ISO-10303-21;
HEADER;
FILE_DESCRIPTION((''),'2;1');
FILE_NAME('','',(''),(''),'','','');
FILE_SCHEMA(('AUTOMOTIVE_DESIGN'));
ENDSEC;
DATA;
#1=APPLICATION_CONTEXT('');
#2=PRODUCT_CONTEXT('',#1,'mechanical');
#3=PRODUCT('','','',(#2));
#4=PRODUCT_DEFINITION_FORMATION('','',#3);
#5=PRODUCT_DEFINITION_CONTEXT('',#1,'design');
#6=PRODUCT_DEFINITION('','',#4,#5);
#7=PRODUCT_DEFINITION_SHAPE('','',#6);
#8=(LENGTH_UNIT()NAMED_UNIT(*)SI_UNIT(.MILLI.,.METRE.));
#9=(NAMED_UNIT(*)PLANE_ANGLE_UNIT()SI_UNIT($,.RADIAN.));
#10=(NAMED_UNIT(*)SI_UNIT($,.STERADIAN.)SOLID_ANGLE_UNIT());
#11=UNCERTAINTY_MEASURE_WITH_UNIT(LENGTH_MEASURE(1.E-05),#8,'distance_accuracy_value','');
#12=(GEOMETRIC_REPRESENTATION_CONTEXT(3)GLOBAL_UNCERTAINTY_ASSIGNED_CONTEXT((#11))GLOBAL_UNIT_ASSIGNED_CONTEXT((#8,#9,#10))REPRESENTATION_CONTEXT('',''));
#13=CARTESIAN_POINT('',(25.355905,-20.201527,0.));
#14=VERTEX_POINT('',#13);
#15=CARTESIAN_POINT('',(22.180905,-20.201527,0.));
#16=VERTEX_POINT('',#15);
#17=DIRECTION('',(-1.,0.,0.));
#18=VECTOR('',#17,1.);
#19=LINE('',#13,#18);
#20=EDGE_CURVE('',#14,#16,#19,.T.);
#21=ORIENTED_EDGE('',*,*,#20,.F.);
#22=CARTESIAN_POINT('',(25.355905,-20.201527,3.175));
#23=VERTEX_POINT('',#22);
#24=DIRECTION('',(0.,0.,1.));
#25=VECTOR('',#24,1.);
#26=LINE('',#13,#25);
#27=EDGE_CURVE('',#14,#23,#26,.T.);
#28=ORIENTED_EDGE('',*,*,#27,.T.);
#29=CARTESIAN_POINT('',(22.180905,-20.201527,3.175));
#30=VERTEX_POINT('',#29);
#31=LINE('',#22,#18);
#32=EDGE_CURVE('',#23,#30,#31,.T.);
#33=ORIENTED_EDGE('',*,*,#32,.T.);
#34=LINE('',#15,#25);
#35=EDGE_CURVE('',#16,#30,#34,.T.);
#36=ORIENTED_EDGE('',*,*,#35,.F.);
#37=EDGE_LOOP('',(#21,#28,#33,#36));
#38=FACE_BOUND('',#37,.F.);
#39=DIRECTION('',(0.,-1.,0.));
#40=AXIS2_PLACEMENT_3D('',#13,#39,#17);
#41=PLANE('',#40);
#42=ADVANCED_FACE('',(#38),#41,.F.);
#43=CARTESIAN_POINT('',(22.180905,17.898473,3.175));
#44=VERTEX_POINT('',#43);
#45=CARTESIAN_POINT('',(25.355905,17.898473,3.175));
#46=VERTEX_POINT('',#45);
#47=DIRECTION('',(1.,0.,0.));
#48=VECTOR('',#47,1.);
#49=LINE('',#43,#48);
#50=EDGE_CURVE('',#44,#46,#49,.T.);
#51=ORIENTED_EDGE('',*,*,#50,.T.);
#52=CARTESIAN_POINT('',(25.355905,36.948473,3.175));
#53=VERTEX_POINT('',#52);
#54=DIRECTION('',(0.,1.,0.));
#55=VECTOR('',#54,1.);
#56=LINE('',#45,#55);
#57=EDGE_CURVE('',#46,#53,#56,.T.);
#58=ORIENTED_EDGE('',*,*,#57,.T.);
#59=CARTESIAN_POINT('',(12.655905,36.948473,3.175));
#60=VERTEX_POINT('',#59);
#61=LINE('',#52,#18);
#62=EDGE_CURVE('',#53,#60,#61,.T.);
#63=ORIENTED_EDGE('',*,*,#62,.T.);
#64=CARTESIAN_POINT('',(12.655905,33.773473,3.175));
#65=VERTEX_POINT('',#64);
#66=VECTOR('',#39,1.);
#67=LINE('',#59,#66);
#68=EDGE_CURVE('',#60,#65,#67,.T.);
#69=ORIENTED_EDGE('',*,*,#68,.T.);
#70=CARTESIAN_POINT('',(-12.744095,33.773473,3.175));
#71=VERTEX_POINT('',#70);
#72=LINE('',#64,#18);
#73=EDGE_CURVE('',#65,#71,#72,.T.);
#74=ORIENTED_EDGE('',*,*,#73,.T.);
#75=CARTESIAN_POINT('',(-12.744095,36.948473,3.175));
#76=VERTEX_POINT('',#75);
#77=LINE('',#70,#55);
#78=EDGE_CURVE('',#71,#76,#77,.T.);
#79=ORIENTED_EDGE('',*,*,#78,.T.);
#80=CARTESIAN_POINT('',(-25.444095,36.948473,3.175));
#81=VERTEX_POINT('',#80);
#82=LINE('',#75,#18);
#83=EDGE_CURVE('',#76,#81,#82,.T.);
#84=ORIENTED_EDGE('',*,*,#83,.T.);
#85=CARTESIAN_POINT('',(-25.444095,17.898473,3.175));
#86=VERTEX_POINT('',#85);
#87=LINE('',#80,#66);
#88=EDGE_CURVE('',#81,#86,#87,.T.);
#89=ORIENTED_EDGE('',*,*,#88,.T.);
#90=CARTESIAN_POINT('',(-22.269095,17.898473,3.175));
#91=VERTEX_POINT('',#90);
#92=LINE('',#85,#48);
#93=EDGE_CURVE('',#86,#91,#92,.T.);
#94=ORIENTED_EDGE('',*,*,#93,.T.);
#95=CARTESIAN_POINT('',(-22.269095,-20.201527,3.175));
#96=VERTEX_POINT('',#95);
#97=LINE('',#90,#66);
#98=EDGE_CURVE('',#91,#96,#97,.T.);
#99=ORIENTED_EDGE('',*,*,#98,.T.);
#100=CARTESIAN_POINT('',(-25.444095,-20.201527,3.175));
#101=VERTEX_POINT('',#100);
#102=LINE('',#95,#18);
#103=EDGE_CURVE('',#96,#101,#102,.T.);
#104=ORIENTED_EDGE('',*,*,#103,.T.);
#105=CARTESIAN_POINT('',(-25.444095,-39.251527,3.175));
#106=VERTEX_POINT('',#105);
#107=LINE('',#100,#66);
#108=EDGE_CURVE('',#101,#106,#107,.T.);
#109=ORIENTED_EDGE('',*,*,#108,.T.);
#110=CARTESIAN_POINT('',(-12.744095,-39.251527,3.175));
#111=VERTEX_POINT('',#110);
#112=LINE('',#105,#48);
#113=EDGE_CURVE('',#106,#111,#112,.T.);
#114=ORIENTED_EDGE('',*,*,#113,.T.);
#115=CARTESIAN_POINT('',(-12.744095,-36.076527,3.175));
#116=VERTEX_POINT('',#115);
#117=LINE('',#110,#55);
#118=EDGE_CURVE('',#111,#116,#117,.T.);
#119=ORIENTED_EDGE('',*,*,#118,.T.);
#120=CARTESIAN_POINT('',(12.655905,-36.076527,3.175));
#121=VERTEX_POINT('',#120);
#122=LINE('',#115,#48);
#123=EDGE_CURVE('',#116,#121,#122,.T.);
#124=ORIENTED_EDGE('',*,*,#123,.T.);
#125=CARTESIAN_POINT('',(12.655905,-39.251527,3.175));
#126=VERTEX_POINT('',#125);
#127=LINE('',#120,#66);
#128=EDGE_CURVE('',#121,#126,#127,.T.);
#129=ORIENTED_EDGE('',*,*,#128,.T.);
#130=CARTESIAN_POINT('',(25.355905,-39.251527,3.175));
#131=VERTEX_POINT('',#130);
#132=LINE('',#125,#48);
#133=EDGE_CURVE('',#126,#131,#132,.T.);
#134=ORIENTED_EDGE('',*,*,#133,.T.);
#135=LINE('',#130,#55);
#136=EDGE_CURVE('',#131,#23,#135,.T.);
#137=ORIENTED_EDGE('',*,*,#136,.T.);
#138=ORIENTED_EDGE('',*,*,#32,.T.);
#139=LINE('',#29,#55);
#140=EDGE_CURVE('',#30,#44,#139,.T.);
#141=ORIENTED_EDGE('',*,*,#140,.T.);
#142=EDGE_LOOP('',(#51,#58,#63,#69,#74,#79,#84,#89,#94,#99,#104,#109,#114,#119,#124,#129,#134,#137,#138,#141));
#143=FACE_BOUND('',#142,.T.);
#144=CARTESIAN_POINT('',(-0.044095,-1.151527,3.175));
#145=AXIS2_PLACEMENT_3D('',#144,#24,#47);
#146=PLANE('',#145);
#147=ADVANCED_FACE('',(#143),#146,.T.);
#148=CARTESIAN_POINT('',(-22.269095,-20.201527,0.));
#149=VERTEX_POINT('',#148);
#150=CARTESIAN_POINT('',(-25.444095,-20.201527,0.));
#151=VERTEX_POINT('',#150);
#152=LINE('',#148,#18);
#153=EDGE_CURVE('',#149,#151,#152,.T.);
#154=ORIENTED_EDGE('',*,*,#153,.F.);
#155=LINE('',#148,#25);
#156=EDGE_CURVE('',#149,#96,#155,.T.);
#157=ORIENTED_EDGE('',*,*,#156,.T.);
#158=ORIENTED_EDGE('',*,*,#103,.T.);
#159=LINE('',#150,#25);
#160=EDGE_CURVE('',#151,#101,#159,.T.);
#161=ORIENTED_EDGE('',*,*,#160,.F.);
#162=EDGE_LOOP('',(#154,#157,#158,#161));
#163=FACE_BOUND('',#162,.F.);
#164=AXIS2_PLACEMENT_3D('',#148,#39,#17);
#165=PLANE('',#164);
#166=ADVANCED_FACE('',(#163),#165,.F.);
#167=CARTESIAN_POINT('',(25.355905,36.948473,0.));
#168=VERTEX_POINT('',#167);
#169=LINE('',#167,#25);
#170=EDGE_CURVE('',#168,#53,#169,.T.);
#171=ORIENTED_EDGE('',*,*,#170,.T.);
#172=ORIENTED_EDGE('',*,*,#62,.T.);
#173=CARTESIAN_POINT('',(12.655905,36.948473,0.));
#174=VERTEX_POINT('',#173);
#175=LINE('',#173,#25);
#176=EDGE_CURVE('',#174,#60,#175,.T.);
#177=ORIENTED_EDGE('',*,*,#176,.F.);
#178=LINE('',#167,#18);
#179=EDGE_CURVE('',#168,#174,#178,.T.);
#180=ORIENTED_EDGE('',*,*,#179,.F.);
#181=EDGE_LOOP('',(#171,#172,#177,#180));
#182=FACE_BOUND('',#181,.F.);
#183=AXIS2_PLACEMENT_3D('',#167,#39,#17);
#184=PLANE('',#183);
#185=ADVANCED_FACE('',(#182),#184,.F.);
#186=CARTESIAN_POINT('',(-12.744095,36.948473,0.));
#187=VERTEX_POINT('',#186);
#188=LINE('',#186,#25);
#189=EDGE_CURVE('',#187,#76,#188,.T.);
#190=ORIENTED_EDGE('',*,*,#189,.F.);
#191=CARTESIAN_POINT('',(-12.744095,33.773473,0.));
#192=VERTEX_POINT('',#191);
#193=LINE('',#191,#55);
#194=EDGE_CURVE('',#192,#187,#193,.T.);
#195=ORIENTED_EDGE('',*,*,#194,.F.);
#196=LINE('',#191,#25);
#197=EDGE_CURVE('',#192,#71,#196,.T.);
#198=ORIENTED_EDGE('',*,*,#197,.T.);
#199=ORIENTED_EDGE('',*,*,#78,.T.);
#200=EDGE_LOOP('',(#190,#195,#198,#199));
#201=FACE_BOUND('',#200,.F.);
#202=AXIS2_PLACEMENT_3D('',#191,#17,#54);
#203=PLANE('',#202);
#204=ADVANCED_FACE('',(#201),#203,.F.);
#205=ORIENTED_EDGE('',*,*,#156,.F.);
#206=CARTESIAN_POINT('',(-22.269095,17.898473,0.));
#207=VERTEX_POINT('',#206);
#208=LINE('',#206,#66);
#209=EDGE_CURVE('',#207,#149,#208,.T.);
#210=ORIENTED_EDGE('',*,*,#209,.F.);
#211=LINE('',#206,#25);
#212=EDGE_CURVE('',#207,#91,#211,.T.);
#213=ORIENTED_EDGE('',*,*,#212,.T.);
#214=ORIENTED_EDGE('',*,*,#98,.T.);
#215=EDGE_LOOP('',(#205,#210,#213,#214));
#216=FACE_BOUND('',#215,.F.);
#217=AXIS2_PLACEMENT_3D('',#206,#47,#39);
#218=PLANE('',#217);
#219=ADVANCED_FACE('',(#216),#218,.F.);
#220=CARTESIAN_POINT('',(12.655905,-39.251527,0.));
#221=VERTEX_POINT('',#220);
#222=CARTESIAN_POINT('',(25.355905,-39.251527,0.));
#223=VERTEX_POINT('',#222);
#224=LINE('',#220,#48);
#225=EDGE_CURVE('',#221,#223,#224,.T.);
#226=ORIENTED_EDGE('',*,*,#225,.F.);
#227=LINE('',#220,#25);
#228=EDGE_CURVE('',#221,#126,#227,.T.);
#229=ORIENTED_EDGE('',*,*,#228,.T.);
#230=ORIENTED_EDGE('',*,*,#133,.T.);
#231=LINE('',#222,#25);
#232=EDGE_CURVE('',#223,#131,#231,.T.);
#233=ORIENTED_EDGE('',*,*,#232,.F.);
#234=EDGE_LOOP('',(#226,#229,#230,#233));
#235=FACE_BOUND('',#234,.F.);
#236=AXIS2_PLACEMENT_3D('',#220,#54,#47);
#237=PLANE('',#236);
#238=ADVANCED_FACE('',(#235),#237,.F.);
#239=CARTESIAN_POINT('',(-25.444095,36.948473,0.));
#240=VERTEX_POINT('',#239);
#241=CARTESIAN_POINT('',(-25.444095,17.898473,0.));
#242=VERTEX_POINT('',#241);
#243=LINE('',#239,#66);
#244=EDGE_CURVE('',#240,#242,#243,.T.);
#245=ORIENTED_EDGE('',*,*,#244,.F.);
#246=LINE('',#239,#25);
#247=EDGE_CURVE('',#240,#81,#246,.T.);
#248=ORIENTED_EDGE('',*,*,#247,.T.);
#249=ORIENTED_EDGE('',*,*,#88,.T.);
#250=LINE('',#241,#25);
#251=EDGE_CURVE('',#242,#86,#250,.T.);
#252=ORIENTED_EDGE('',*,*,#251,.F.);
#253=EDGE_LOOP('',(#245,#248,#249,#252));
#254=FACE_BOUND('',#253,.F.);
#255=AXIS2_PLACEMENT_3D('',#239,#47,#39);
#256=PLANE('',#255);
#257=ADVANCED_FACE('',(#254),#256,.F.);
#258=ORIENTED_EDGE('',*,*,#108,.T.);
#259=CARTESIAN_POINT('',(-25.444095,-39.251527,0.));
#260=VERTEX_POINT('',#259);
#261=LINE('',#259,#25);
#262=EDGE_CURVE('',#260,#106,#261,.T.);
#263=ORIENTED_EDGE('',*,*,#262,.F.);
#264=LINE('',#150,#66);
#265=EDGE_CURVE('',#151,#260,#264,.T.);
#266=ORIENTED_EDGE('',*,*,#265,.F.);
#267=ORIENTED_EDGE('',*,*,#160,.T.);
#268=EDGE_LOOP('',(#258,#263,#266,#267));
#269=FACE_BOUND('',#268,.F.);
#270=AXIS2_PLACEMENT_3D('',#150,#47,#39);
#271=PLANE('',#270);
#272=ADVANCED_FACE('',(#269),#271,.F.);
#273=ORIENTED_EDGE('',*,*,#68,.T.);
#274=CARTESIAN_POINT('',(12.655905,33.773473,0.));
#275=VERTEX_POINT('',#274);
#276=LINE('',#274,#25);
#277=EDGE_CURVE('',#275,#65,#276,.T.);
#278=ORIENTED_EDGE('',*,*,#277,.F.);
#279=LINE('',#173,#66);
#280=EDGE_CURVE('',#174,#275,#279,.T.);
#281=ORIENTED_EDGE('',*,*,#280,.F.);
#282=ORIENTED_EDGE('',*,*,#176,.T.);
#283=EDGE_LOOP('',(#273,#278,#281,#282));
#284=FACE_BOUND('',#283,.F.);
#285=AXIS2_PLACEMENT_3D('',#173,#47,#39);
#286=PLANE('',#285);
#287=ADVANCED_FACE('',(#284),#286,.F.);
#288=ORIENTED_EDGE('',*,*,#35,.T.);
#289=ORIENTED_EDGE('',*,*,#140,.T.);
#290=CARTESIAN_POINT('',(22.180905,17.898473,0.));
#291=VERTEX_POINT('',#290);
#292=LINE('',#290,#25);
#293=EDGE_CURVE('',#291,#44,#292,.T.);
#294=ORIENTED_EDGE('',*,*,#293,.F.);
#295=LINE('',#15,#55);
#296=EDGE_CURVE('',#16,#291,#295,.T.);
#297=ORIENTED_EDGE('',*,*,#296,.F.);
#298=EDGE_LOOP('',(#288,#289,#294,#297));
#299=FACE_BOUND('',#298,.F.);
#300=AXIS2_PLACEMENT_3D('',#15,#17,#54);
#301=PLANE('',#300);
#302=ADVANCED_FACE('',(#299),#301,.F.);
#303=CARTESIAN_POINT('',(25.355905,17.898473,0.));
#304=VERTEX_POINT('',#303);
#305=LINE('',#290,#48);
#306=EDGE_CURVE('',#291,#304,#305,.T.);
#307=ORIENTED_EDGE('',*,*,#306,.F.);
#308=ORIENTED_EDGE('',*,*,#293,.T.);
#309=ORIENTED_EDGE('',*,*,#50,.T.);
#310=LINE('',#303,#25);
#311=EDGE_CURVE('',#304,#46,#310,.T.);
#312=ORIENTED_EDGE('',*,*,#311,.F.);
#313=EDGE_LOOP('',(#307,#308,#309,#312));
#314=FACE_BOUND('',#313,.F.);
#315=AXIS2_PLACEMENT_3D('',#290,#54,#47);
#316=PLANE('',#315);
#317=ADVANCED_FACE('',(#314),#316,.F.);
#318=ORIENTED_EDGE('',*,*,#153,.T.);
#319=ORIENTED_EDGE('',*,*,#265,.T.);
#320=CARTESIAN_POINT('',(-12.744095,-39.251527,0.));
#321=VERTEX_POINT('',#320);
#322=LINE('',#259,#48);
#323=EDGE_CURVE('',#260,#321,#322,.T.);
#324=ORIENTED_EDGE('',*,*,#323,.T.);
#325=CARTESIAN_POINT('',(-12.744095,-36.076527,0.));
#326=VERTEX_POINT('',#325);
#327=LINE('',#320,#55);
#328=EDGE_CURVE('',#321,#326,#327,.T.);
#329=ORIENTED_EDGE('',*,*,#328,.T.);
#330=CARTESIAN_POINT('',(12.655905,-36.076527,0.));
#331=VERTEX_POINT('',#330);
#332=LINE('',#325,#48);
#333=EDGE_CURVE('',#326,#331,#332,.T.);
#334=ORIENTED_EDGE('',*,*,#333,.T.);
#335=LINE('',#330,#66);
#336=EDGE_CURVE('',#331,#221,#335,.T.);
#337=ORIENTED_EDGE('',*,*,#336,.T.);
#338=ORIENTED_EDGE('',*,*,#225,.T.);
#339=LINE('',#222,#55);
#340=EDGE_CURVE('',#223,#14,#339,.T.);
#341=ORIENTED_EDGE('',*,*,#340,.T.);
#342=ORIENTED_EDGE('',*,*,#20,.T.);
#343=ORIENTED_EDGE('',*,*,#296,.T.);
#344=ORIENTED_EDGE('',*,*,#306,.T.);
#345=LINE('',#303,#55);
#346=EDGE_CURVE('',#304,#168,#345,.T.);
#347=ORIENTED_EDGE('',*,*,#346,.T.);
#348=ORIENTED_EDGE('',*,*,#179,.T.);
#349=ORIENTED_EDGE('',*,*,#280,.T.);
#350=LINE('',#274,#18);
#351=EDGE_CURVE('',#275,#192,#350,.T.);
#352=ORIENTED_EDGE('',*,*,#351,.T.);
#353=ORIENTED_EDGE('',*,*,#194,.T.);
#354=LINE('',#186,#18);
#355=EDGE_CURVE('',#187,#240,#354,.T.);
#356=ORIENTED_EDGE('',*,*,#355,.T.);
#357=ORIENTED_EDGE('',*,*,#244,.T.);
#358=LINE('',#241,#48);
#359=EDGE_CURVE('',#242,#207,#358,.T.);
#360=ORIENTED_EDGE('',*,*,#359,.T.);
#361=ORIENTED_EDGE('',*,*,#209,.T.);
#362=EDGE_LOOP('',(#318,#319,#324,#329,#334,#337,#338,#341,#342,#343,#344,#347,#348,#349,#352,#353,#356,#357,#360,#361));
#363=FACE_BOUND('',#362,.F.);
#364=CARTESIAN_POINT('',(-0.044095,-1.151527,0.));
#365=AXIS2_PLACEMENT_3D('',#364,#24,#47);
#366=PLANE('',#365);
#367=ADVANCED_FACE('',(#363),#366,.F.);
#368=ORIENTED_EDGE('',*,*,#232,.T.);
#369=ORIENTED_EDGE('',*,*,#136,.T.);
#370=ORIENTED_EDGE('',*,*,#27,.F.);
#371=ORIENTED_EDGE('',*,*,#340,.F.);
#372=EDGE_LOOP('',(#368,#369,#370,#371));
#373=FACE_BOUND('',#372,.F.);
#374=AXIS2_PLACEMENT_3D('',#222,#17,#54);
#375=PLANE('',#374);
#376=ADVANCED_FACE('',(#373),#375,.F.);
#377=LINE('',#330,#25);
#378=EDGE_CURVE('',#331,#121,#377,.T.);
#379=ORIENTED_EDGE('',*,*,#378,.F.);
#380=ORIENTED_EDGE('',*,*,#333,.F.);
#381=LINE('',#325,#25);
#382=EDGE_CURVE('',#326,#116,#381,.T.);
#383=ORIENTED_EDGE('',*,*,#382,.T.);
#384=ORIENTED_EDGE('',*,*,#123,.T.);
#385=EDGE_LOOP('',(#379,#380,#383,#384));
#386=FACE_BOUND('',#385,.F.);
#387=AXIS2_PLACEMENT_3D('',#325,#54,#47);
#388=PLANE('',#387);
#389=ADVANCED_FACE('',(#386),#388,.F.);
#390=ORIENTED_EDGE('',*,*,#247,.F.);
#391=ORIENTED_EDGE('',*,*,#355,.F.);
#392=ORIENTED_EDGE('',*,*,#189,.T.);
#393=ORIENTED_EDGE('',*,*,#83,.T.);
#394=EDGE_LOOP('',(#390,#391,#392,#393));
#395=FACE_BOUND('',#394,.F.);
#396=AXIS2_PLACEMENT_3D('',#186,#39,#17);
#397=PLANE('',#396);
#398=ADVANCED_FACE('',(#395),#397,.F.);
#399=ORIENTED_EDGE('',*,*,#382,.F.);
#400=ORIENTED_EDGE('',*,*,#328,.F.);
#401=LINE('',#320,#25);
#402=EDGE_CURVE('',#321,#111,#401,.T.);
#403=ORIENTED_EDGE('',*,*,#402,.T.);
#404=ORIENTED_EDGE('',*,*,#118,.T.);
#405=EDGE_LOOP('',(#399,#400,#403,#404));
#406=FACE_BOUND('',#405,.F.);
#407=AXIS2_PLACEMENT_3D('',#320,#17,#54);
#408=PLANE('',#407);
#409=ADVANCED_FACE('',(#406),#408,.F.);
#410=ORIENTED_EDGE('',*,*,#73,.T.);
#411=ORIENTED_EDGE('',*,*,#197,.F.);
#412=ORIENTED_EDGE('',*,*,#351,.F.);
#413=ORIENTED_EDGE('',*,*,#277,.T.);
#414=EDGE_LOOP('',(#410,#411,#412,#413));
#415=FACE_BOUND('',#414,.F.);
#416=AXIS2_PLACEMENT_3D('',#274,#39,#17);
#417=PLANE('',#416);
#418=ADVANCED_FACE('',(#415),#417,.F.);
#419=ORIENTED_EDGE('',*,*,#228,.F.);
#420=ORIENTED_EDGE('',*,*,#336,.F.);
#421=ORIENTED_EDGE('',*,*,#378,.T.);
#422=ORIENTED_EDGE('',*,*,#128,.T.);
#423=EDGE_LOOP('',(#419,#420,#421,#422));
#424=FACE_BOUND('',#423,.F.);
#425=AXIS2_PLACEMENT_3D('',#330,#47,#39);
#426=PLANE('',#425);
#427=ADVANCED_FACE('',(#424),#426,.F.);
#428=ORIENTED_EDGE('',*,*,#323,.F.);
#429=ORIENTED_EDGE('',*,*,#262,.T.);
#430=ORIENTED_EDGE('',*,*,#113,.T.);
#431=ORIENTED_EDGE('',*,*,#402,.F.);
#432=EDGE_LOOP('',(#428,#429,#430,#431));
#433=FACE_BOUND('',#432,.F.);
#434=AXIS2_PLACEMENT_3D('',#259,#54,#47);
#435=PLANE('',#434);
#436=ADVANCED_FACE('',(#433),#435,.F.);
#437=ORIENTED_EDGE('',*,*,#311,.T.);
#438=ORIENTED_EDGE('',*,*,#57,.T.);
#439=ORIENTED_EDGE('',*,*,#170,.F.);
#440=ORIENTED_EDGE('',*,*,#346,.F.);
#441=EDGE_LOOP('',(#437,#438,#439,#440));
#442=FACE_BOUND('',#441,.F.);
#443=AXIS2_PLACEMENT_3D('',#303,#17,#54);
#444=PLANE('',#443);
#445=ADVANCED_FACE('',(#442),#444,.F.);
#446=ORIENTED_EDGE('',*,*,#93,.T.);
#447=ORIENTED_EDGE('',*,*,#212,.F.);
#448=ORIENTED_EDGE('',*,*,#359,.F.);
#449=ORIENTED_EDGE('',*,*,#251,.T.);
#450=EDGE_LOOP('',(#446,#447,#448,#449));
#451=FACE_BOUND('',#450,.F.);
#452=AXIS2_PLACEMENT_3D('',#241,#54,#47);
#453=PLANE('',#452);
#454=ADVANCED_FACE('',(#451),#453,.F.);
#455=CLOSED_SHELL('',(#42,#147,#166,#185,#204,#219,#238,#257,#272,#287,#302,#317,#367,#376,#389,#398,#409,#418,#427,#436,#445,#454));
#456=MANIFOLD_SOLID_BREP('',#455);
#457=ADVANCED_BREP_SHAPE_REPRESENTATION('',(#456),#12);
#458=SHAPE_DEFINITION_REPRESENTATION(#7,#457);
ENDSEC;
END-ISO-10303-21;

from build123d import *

# Parameters (mm, degrees)
F1_DEPTH = 3.175


with BuildPart() as f1:
    # F0 (on Top) → F1 (new body)
    with BuildSketch(Plane.XY):
        Polygon((25.355905, 17.898473), (25.355905, 36.948473), (12.655905, 36.948473), (12.655905, 33.773473), (-12.744095, 33.773473), (-12.744095, 36.948473), (-25.444095, 36.948473), (-25.444095, 17.898473), (-22.269095, 17.898473), (-22.269095, -20.201527), (-25.444095, -20.201527), (-25.444095, -39.251527), (-12.744095, -39.251527), (-12.744095, -36.076527), (12.655905, -36.076527), (12.655905, -39.251527), (25.355905, -39.251527), (25.355905, -20.201527), (22.180905, -20.201527), (22.180905, 17.898473), align=None)
    extrude(amount=F1_DEPTH)


solid = f1.part
